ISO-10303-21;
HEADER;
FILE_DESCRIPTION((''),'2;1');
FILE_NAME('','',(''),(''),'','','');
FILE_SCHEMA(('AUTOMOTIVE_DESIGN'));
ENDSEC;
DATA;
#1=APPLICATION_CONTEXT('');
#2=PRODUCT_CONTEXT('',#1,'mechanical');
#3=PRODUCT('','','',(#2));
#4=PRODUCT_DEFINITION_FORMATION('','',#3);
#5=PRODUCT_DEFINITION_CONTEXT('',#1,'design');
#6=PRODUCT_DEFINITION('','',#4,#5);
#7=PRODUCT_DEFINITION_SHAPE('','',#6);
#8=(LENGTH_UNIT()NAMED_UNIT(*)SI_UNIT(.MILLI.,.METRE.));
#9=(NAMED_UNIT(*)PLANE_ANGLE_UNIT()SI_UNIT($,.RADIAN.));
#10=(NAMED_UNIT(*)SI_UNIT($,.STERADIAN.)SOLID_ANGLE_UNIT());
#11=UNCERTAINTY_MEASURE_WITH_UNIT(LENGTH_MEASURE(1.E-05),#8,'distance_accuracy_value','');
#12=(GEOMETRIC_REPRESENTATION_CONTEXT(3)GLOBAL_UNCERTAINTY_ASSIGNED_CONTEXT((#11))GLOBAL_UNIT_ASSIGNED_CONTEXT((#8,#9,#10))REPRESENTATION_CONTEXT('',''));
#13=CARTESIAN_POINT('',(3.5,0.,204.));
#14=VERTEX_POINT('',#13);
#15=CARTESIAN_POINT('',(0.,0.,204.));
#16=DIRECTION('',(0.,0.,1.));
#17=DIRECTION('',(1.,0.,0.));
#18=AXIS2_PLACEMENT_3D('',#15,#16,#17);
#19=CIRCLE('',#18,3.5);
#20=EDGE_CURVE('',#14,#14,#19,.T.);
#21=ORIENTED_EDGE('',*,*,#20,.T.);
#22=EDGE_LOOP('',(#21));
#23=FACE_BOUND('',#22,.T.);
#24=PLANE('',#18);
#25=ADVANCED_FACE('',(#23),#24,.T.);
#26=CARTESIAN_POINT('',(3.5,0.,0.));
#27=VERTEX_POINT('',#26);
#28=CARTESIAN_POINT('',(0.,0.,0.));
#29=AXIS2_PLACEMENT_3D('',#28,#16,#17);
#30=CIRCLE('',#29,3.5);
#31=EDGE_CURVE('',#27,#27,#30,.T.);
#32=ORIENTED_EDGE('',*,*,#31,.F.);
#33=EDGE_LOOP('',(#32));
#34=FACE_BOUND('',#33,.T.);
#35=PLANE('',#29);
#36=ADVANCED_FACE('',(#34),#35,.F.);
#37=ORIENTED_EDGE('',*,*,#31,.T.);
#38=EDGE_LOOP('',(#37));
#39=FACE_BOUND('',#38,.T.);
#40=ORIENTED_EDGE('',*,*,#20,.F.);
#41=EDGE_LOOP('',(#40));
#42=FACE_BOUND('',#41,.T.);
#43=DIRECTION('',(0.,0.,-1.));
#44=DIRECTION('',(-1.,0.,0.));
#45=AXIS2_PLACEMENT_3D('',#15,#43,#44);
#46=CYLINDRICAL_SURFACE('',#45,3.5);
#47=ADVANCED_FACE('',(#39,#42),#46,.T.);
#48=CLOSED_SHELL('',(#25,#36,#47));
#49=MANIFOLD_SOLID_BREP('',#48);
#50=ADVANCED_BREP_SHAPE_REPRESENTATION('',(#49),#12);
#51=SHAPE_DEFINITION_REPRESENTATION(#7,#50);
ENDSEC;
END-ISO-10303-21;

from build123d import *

# Parameters (mm, degrees)
CROQUIS1_R              = 3.5
SALIENTE_EXTRUIR1_DEPTH = 204


with BuildPart() as part:
    # Croquis1 → Saliente-Extruir1 (new body)
    with BuildSketch(Plane.XY):
        Circle(CROQUIS1_R)
    extrude(amount=SALIENTE_EXTRUIR1_DEPTH)


solid = part.part
